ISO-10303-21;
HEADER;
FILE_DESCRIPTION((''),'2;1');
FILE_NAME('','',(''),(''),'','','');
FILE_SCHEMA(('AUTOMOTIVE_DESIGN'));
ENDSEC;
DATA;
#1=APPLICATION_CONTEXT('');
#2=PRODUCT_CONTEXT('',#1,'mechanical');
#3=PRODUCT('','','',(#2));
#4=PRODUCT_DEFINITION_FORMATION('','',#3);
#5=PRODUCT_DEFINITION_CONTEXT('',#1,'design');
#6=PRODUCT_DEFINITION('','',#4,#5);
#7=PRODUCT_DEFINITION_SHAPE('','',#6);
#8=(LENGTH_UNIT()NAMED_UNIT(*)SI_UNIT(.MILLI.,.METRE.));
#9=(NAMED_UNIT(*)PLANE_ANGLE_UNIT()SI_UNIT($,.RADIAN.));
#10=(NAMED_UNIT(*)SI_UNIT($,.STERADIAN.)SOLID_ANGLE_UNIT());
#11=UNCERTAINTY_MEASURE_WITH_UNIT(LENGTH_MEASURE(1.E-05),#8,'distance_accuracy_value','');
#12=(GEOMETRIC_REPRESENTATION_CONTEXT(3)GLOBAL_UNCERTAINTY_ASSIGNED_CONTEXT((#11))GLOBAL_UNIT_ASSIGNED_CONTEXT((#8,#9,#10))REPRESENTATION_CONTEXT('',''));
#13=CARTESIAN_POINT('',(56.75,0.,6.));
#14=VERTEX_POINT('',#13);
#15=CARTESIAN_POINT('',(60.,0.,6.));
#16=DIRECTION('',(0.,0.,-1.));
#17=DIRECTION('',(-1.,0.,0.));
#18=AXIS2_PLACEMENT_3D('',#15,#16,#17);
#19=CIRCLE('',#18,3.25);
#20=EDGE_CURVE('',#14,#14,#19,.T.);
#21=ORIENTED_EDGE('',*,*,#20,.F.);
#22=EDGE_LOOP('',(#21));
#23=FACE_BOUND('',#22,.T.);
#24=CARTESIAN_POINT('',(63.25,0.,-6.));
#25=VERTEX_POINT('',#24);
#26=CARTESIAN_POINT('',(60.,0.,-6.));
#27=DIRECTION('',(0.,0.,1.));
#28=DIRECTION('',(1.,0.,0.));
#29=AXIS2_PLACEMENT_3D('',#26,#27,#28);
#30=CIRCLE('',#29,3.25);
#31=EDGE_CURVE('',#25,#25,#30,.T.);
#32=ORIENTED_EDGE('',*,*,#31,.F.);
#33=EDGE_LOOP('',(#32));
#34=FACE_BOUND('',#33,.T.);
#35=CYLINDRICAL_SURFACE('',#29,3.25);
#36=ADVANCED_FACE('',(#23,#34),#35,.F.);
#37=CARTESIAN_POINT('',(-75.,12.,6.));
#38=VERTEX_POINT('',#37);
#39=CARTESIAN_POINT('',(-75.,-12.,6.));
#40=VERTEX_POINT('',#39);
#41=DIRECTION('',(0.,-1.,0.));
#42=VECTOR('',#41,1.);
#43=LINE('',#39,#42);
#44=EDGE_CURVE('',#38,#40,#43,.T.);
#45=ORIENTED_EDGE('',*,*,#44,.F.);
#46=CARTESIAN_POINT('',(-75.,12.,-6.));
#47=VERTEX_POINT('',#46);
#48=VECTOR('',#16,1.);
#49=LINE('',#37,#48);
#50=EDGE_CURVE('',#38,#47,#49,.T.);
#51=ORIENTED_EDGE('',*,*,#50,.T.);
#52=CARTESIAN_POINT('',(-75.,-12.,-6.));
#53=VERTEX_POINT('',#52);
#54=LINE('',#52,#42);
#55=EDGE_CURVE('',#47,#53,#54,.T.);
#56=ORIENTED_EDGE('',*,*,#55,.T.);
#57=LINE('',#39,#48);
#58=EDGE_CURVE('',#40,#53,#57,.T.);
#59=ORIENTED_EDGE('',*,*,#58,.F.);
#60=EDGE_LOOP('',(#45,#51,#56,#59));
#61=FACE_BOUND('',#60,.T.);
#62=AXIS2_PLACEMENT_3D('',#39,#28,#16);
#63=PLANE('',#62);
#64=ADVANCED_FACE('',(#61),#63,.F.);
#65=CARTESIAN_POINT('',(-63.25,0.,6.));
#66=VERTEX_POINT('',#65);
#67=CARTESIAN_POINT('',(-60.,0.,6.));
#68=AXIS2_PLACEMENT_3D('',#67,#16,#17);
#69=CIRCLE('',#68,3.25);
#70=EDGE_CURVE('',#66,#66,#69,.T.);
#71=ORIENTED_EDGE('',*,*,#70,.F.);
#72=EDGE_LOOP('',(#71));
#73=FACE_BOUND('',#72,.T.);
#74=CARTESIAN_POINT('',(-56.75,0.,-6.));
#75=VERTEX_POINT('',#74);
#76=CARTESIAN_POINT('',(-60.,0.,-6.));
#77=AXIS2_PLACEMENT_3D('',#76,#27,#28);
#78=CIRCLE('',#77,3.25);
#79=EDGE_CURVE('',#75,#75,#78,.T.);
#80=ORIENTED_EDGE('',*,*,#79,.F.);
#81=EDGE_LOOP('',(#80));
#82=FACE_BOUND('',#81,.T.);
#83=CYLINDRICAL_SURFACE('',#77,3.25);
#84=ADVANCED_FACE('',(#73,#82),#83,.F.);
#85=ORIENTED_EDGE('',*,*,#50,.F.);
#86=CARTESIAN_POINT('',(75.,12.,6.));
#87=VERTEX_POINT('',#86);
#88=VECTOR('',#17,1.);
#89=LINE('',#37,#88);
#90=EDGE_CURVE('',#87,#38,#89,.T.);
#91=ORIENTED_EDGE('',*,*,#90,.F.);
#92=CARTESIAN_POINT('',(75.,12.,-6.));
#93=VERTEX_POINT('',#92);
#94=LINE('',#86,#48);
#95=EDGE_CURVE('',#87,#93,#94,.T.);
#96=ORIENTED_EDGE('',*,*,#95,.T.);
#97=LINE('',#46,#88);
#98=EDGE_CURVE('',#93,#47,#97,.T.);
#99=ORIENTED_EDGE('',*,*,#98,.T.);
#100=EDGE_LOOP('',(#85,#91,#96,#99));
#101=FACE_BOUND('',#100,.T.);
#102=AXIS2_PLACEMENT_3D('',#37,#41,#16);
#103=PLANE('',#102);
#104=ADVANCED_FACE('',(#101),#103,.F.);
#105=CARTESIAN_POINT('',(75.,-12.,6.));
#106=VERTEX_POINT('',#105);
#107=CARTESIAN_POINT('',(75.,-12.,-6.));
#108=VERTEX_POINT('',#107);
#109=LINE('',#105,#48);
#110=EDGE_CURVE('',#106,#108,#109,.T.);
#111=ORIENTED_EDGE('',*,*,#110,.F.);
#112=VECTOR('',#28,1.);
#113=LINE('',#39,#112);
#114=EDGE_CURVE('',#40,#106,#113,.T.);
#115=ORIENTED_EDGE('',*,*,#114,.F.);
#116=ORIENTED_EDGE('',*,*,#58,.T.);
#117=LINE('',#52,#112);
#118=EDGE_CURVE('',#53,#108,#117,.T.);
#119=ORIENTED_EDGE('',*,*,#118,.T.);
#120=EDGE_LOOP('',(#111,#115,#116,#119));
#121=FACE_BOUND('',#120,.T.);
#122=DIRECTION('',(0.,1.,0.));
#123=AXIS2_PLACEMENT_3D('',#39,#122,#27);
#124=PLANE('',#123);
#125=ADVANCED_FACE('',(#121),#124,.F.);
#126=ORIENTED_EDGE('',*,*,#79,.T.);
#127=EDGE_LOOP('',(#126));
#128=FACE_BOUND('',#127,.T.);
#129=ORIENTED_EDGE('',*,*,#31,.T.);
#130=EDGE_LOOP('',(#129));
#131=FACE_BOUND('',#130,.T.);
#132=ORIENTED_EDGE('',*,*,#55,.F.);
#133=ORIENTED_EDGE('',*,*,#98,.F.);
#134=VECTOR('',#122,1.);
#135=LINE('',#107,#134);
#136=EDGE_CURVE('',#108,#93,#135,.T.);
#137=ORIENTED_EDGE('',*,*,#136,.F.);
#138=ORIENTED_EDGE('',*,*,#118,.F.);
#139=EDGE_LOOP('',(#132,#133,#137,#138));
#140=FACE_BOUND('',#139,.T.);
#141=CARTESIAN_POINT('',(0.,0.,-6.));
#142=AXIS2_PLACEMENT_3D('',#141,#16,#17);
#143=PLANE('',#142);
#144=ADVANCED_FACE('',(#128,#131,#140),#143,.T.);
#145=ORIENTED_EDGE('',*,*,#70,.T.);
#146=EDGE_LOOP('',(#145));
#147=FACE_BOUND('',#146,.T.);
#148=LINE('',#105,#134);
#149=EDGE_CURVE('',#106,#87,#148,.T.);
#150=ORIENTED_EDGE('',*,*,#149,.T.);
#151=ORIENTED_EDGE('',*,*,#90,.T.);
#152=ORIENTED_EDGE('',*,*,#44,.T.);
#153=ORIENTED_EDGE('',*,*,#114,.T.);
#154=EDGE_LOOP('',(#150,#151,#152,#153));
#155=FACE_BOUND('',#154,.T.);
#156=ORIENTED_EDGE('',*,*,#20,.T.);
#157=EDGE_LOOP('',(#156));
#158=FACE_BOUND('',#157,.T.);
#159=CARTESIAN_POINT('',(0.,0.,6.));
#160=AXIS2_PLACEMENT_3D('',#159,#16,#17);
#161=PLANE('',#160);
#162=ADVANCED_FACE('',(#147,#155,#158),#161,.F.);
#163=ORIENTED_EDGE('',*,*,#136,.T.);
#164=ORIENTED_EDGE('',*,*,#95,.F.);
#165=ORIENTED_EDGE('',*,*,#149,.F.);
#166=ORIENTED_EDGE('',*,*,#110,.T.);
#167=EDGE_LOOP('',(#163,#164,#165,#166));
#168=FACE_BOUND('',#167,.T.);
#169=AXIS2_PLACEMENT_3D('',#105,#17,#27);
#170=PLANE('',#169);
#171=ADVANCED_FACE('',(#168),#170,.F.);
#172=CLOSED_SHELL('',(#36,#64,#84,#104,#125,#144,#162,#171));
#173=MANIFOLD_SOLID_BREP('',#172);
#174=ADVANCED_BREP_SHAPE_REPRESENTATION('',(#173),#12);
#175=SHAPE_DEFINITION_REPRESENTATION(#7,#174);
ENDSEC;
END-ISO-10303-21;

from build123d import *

# Parameters (mm, degrees)
SKETCH2_W               = 150
SKETCH2_H               = 24
BOSS_EXTRUDE1_DEPTH     = 6
CUT_EXTRUDE1_DEPTH      = 77.896033708
CUT_EXTRUDE1_DEPTH_BACK = 77.896033708
SKETCH3_R               = 3.25


with BuildPart() as part:
    # Sketch2 → Boss-Extrude1 (new, symmetric)
    with BuildSketch(Plane.XY):
        Rectangle(SKETCH2_W, SKETCH2_H)
    extrude(amount=BOSS_EXTRUDE1_DEPTH, both=True)

    # Sketch3 → Cut-Extrude1 (cut, two sides: drawn at the far end of the back side and taken through both)
    with BuildSketch(Plane.XY.offset(6).offset(-CUT_EXTRUDE1_DEPTH_BACK)):
        with Locations((-60, 0)):
            Circle(SKETCH3_R)
        with Locations((60, 0)):
            Circle(SKETCH3_R)
    extrude(amount=CUT_EXTRUDE1_DEPTH + CUT_EXTRUDE1_DEPTH_BACK, mode=Mode.SUBTRACT)


solid = part.part
